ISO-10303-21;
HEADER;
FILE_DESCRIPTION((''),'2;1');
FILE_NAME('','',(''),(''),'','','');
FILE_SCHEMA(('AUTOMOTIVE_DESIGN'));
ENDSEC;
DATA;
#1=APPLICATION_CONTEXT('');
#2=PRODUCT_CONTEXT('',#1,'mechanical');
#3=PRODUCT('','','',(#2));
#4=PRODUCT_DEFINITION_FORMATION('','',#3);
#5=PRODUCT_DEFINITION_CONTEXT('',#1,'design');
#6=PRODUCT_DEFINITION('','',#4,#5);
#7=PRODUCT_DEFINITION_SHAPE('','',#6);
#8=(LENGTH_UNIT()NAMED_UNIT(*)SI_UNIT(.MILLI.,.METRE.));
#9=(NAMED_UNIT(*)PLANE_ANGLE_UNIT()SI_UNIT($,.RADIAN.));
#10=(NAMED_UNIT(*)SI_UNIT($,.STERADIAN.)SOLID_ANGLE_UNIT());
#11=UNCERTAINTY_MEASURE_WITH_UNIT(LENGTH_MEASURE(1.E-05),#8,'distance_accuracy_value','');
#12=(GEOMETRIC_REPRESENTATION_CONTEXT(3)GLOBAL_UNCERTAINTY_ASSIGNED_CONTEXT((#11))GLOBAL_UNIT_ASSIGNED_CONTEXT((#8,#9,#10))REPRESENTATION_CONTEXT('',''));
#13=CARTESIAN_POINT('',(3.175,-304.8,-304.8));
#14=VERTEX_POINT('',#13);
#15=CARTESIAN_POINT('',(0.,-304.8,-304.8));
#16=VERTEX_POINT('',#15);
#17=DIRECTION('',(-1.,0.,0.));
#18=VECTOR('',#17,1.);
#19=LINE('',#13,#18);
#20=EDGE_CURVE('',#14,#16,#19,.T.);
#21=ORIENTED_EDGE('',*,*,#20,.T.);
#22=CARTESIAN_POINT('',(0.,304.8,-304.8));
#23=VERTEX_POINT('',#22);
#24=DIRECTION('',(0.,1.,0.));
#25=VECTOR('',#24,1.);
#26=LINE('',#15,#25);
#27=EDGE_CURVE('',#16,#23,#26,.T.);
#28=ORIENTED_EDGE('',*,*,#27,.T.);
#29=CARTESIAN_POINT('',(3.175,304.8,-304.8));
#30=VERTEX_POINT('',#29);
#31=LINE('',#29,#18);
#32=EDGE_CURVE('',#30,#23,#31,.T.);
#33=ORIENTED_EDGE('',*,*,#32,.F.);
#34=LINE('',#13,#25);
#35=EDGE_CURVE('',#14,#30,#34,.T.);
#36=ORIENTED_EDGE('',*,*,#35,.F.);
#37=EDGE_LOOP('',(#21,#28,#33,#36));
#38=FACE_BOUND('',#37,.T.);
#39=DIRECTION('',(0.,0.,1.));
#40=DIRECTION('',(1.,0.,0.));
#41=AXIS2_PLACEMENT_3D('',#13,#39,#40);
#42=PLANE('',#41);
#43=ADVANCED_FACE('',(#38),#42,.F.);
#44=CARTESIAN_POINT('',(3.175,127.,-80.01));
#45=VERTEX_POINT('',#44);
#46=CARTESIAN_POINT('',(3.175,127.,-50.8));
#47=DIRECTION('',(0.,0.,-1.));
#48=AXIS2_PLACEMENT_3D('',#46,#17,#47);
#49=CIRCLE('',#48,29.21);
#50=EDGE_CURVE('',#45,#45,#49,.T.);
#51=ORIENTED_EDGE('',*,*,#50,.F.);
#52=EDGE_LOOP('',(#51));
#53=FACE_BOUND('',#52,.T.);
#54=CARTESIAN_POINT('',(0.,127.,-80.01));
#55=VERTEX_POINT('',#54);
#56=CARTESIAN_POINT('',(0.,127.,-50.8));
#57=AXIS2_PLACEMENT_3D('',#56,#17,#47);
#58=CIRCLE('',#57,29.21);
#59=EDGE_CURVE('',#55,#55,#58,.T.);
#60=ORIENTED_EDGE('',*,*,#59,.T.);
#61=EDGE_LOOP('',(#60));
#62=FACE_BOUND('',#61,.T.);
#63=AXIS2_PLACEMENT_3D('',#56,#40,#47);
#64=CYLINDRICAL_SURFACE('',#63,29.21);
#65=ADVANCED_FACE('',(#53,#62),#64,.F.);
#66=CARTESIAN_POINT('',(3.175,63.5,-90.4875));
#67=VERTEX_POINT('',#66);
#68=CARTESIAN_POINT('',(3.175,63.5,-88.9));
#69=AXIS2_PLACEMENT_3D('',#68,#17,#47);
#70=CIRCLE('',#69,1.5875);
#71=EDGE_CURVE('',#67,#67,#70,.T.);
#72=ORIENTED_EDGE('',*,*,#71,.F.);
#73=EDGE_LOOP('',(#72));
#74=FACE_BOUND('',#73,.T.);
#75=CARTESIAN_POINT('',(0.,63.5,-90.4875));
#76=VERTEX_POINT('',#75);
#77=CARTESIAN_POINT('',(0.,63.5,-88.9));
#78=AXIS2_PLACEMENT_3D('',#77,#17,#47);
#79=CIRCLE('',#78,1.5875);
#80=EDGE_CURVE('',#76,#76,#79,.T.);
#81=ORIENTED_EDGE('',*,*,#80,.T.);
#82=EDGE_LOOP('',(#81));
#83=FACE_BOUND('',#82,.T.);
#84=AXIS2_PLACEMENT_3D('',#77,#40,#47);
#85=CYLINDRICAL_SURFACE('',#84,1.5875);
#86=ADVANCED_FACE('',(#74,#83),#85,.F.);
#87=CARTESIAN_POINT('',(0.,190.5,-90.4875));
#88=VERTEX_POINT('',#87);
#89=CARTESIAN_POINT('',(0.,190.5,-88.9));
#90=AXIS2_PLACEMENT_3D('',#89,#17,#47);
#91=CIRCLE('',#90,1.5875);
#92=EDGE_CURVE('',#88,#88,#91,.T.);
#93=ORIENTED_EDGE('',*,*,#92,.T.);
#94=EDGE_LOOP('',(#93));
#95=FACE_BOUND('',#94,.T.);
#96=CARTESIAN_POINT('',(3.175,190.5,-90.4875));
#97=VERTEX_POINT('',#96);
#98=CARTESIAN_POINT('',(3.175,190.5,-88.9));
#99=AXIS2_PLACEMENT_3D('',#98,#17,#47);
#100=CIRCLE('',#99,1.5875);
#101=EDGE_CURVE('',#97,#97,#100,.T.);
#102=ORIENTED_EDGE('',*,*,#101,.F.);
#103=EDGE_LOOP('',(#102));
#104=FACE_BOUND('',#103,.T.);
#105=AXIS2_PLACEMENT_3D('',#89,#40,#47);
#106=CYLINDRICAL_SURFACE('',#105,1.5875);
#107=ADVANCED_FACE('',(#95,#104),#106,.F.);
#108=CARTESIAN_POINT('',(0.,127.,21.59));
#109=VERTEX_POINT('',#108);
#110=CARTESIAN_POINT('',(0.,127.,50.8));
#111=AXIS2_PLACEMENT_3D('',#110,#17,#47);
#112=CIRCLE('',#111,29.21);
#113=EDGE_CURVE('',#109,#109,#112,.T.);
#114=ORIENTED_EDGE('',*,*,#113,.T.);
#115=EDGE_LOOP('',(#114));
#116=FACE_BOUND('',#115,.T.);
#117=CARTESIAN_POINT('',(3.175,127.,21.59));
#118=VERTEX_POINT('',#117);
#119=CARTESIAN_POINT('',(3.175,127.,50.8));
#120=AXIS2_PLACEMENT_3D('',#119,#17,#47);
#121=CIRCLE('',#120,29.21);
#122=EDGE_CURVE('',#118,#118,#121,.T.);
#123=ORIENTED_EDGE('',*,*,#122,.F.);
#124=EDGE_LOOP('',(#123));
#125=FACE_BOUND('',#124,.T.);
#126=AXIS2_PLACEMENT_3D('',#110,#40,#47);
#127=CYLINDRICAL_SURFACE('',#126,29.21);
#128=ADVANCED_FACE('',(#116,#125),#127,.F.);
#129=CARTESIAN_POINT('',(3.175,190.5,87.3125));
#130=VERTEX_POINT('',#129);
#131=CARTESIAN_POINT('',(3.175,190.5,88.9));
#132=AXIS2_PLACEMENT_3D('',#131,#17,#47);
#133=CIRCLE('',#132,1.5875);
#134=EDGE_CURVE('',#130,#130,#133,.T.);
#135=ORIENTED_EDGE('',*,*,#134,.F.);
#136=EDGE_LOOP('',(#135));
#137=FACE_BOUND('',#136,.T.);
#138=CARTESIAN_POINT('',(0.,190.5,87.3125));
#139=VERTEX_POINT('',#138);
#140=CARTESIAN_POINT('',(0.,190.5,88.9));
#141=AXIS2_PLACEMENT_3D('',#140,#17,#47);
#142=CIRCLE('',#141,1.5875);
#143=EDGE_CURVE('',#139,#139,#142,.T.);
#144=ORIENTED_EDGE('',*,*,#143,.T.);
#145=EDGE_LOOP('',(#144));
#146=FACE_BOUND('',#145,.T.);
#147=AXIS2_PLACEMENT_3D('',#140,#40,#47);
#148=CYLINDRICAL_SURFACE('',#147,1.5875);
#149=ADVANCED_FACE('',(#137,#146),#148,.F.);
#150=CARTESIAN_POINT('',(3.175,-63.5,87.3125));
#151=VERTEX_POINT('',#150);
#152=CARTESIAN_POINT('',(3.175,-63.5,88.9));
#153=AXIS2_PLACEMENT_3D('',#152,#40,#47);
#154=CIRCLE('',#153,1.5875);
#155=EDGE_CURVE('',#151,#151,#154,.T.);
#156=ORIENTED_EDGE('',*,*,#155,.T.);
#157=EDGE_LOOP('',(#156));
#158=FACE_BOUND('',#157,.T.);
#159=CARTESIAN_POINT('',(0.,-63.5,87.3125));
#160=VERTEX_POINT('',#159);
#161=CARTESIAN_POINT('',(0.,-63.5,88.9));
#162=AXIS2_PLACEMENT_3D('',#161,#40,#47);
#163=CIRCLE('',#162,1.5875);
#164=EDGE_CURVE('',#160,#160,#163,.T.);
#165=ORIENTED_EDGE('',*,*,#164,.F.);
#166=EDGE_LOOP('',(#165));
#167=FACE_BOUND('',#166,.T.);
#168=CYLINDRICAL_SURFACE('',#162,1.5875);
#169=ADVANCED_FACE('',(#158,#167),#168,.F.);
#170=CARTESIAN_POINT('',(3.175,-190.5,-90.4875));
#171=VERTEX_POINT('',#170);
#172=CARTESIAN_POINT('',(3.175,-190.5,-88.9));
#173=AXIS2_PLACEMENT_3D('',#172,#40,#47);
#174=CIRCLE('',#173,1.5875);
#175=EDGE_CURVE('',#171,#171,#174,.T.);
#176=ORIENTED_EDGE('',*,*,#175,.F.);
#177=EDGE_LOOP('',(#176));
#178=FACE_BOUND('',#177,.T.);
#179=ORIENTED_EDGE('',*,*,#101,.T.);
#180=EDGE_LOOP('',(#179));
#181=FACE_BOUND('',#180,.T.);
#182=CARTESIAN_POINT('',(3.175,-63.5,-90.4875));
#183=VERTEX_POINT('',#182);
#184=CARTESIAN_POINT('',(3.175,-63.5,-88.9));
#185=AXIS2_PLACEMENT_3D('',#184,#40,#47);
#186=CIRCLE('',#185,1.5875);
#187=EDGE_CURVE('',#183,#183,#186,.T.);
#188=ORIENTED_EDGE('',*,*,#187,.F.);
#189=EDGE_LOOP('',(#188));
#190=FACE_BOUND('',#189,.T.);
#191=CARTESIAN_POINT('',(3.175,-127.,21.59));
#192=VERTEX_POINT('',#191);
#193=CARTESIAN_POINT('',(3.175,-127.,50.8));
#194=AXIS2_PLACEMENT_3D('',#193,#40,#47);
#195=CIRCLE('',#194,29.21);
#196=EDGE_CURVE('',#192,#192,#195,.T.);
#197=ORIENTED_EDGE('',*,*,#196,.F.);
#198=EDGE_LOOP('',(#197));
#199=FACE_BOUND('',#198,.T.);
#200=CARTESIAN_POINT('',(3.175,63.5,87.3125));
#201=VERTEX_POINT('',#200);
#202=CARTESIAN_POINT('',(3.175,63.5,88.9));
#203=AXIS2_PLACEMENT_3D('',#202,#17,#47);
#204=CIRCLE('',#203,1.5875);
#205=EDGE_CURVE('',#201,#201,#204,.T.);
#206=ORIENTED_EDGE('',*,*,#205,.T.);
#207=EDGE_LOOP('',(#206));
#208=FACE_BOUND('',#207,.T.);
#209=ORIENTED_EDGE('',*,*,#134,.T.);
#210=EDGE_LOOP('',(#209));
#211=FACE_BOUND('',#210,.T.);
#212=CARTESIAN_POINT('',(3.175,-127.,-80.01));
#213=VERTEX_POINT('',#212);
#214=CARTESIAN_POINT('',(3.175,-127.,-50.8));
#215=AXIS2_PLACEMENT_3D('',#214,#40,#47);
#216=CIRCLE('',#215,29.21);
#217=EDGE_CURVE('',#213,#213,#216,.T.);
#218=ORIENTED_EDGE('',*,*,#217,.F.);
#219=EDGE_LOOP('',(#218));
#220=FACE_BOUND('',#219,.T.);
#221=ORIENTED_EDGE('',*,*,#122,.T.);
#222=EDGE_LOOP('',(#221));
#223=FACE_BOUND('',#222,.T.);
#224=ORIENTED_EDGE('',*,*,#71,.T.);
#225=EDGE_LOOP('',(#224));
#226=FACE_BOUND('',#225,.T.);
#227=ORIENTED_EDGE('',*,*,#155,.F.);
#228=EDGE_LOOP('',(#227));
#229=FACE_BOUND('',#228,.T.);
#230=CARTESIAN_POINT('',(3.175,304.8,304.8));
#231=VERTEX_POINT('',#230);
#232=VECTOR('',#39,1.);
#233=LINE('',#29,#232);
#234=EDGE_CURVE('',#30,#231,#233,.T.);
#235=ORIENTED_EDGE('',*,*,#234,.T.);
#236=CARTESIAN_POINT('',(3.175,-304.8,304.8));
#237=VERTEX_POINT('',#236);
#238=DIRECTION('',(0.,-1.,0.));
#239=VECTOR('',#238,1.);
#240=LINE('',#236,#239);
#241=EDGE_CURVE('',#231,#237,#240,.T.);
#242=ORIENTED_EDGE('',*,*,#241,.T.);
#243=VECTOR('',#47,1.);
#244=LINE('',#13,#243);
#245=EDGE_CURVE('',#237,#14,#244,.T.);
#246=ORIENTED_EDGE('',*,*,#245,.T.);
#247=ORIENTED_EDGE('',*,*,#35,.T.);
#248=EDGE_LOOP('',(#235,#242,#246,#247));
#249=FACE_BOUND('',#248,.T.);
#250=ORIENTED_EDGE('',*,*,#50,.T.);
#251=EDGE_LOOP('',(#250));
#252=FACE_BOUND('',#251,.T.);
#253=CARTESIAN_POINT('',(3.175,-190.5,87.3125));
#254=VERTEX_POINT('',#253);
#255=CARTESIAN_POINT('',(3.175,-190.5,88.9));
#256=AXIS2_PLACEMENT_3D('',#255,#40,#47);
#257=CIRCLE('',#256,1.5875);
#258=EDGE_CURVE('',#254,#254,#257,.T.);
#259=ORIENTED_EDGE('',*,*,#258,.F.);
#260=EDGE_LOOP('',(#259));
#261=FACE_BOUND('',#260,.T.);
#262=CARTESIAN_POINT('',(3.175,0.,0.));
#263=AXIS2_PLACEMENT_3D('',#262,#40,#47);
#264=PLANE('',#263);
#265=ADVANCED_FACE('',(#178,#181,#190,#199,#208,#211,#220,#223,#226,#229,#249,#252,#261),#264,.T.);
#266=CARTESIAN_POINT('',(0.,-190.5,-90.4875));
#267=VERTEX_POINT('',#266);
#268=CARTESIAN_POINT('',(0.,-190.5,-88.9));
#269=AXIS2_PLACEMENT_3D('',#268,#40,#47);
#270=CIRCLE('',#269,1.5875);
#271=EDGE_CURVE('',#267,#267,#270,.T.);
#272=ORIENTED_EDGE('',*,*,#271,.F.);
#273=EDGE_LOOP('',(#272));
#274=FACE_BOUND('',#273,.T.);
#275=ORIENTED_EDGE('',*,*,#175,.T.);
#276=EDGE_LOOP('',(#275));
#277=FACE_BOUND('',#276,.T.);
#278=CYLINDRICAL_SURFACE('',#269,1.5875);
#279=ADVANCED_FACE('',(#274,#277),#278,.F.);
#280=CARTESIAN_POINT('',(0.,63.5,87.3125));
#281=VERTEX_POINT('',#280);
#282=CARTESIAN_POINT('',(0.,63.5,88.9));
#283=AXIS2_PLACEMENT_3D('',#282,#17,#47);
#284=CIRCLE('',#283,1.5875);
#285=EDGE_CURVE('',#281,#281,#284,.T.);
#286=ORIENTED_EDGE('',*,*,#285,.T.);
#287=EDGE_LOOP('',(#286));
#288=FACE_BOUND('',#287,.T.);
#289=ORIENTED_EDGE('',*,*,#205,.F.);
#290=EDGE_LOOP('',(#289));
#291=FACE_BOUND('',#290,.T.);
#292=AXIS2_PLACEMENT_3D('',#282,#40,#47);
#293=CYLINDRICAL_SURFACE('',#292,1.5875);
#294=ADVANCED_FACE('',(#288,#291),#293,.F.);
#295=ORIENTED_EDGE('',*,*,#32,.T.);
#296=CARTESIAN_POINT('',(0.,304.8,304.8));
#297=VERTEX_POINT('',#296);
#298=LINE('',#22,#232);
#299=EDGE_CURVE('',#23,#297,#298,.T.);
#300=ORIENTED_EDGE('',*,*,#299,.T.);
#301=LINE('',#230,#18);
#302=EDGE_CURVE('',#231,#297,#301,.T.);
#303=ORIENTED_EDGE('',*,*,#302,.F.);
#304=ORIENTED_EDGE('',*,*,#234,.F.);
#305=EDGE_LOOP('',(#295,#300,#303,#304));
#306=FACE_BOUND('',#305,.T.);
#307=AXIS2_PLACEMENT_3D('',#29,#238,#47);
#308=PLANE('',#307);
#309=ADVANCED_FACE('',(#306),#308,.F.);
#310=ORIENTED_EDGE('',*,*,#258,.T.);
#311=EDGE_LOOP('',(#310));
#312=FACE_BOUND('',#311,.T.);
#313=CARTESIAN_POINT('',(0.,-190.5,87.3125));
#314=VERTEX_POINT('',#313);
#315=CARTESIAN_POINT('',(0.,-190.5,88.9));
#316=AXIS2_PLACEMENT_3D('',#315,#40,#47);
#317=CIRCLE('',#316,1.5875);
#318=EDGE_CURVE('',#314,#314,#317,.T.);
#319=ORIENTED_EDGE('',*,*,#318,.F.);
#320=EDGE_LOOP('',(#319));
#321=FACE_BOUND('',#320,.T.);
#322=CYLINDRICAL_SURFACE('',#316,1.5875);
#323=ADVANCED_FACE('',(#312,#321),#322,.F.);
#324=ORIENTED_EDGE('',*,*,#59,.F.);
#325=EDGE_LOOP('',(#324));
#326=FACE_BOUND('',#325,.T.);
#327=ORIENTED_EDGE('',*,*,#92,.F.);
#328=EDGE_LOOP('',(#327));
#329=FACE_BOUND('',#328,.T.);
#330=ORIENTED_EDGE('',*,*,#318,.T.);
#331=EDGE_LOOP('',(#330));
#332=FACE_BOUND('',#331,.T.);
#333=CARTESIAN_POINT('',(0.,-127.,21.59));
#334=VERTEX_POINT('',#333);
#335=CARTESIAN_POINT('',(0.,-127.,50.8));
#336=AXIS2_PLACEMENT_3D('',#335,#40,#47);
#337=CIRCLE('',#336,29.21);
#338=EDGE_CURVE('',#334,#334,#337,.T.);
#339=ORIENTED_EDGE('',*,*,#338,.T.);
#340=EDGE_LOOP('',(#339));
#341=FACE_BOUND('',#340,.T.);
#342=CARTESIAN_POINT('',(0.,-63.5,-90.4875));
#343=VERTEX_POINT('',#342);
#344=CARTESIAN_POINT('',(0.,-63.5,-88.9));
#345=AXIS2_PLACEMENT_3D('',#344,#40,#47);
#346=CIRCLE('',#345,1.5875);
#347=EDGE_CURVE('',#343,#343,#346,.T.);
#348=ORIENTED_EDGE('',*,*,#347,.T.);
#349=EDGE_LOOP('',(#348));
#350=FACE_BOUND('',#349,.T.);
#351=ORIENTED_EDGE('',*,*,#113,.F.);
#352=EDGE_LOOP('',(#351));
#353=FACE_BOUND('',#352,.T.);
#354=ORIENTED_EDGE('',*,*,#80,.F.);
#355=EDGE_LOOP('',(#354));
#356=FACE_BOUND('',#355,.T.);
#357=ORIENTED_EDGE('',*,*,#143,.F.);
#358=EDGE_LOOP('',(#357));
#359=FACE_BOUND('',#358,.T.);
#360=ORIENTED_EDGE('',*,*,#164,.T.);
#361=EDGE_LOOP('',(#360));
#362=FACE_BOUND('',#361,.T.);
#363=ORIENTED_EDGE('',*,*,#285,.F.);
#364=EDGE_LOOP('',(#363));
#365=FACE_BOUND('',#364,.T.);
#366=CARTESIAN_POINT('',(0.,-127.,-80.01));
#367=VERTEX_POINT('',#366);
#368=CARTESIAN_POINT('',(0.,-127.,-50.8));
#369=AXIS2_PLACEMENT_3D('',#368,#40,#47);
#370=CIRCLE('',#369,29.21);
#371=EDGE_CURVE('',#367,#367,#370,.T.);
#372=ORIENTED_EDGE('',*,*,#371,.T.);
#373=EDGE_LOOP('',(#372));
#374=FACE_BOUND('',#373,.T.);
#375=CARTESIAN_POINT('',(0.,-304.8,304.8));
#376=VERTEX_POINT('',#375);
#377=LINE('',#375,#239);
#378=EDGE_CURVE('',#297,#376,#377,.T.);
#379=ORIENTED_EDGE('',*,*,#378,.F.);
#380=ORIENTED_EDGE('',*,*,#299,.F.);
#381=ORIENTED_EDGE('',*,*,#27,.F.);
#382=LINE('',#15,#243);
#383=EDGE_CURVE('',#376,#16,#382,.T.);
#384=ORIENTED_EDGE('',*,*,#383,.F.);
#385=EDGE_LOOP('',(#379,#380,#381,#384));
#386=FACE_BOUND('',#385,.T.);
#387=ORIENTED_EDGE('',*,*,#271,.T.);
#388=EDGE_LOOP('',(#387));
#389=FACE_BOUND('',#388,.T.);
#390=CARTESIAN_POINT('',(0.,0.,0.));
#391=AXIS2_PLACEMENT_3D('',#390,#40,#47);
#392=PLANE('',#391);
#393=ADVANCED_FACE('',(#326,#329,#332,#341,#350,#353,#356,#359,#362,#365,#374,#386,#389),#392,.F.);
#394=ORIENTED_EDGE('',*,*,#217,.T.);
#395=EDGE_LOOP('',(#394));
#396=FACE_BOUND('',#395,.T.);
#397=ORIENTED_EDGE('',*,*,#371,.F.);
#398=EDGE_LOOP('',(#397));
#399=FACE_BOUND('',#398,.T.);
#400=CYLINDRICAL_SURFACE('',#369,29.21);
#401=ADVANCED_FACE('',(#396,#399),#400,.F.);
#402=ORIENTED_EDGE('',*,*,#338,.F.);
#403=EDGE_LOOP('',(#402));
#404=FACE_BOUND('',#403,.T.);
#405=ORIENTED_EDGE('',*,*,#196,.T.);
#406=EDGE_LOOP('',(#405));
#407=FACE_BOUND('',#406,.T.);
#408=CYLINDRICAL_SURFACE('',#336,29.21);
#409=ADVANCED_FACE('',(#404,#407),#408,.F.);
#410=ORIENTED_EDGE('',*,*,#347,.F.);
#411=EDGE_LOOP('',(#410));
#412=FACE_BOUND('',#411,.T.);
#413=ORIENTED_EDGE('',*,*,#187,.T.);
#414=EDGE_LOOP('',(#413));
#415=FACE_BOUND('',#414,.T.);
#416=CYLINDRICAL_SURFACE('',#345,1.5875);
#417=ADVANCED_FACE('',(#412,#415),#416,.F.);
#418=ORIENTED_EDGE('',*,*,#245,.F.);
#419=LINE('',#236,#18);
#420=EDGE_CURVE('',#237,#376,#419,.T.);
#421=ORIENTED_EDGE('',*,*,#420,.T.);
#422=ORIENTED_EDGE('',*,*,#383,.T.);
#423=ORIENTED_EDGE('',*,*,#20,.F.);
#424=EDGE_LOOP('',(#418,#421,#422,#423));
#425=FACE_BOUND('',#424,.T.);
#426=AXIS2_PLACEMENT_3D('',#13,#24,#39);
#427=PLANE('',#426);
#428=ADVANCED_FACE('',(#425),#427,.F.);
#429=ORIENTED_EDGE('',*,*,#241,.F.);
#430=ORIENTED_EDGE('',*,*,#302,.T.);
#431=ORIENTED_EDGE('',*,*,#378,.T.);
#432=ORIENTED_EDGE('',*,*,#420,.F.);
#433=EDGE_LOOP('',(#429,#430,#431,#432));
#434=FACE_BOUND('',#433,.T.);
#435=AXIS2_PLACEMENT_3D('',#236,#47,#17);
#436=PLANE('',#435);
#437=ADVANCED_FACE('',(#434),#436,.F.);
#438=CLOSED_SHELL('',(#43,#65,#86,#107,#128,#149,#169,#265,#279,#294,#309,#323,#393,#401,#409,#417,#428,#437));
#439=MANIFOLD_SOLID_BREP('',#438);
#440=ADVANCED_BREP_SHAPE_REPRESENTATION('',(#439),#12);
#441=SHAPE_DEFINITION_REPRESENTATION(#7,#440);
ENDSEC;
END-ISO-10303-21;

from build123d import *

# Parameters (mm, degrees)
SKETCH1_W           = 609.6
SKETCH1_H           = 609.6
BOSS_EXTRUDE1_DEPTH = 3.175
SKETCH2_R           = 29.21
CUT_EXTRUDE1_DEPTH  = 432.063986695
SKETCH3_R           = 1.5875
CUT_EXTRUDE2_DEPTH  = 432.063986695


with BuildPart() as part:
    # Sketch1 → Boss-Extrude1 (new body)
    with BuildSketch(Plane(origin=(0, 0, 0), x_dir=(0, 0, -1), z_dir=(1, 0, 0))):
        Rectangle(SKETCH1_W, SKETCH1_H)
    extrude(amount=BOSS_EXTRUDE1_DEPTH)

    # Sketch2 → Cut-Extrude1 (cut, through all)
    with BuildSketch(Plane(origin=(3.175, 0, 0), x_dir=(0, 0, -1), z_dir=(1, 0, 0))):
        with Locations((-50.8, -127)):
            Circle(SKETCH2_R)
        with Locations((50.8, -127)):
            Circle(SKETCH2_R)
    cut_extrude1 = extrude(amount=-CUT_EXTRUDE1_DEPTH, mode=Mode.SUBTRACT)

    # Sketch3 → Cut-Extrude2 (cut, through all)
    with BuildSketch(Plane(origin=(3.175, 0, 0), x_dir=(0, 0, -1), z_dir=(1, 0, 0))):
        with Locations((-88.9, -63.5)):
            Circle(SKETCH3_R)
        with Locations((88.9, -63.5)):
            Circle(SKETCH3_R)
        with Locations((-88.9, -190.5)):
            Circle(SKETCH3_R)
        with Locations((88.9, -190.5)):
            Circle(SKETCH3_R)
    cut_extrude2 = extrude(amount=-CUT_EXTRUDE2_DEPTH, mode=Mode.SUBTRACT)

    # Mirror1: Cut-Extrude1, Cut-Extrude2 across plane
    add(cut_extrude1.mirror(Plane.ZX), mode=Mode.SUBTRACT)
    add(cut_extrude2.mirror(Plane.ZX), mode=Mode.SUBTRACT)


solid = part.part
